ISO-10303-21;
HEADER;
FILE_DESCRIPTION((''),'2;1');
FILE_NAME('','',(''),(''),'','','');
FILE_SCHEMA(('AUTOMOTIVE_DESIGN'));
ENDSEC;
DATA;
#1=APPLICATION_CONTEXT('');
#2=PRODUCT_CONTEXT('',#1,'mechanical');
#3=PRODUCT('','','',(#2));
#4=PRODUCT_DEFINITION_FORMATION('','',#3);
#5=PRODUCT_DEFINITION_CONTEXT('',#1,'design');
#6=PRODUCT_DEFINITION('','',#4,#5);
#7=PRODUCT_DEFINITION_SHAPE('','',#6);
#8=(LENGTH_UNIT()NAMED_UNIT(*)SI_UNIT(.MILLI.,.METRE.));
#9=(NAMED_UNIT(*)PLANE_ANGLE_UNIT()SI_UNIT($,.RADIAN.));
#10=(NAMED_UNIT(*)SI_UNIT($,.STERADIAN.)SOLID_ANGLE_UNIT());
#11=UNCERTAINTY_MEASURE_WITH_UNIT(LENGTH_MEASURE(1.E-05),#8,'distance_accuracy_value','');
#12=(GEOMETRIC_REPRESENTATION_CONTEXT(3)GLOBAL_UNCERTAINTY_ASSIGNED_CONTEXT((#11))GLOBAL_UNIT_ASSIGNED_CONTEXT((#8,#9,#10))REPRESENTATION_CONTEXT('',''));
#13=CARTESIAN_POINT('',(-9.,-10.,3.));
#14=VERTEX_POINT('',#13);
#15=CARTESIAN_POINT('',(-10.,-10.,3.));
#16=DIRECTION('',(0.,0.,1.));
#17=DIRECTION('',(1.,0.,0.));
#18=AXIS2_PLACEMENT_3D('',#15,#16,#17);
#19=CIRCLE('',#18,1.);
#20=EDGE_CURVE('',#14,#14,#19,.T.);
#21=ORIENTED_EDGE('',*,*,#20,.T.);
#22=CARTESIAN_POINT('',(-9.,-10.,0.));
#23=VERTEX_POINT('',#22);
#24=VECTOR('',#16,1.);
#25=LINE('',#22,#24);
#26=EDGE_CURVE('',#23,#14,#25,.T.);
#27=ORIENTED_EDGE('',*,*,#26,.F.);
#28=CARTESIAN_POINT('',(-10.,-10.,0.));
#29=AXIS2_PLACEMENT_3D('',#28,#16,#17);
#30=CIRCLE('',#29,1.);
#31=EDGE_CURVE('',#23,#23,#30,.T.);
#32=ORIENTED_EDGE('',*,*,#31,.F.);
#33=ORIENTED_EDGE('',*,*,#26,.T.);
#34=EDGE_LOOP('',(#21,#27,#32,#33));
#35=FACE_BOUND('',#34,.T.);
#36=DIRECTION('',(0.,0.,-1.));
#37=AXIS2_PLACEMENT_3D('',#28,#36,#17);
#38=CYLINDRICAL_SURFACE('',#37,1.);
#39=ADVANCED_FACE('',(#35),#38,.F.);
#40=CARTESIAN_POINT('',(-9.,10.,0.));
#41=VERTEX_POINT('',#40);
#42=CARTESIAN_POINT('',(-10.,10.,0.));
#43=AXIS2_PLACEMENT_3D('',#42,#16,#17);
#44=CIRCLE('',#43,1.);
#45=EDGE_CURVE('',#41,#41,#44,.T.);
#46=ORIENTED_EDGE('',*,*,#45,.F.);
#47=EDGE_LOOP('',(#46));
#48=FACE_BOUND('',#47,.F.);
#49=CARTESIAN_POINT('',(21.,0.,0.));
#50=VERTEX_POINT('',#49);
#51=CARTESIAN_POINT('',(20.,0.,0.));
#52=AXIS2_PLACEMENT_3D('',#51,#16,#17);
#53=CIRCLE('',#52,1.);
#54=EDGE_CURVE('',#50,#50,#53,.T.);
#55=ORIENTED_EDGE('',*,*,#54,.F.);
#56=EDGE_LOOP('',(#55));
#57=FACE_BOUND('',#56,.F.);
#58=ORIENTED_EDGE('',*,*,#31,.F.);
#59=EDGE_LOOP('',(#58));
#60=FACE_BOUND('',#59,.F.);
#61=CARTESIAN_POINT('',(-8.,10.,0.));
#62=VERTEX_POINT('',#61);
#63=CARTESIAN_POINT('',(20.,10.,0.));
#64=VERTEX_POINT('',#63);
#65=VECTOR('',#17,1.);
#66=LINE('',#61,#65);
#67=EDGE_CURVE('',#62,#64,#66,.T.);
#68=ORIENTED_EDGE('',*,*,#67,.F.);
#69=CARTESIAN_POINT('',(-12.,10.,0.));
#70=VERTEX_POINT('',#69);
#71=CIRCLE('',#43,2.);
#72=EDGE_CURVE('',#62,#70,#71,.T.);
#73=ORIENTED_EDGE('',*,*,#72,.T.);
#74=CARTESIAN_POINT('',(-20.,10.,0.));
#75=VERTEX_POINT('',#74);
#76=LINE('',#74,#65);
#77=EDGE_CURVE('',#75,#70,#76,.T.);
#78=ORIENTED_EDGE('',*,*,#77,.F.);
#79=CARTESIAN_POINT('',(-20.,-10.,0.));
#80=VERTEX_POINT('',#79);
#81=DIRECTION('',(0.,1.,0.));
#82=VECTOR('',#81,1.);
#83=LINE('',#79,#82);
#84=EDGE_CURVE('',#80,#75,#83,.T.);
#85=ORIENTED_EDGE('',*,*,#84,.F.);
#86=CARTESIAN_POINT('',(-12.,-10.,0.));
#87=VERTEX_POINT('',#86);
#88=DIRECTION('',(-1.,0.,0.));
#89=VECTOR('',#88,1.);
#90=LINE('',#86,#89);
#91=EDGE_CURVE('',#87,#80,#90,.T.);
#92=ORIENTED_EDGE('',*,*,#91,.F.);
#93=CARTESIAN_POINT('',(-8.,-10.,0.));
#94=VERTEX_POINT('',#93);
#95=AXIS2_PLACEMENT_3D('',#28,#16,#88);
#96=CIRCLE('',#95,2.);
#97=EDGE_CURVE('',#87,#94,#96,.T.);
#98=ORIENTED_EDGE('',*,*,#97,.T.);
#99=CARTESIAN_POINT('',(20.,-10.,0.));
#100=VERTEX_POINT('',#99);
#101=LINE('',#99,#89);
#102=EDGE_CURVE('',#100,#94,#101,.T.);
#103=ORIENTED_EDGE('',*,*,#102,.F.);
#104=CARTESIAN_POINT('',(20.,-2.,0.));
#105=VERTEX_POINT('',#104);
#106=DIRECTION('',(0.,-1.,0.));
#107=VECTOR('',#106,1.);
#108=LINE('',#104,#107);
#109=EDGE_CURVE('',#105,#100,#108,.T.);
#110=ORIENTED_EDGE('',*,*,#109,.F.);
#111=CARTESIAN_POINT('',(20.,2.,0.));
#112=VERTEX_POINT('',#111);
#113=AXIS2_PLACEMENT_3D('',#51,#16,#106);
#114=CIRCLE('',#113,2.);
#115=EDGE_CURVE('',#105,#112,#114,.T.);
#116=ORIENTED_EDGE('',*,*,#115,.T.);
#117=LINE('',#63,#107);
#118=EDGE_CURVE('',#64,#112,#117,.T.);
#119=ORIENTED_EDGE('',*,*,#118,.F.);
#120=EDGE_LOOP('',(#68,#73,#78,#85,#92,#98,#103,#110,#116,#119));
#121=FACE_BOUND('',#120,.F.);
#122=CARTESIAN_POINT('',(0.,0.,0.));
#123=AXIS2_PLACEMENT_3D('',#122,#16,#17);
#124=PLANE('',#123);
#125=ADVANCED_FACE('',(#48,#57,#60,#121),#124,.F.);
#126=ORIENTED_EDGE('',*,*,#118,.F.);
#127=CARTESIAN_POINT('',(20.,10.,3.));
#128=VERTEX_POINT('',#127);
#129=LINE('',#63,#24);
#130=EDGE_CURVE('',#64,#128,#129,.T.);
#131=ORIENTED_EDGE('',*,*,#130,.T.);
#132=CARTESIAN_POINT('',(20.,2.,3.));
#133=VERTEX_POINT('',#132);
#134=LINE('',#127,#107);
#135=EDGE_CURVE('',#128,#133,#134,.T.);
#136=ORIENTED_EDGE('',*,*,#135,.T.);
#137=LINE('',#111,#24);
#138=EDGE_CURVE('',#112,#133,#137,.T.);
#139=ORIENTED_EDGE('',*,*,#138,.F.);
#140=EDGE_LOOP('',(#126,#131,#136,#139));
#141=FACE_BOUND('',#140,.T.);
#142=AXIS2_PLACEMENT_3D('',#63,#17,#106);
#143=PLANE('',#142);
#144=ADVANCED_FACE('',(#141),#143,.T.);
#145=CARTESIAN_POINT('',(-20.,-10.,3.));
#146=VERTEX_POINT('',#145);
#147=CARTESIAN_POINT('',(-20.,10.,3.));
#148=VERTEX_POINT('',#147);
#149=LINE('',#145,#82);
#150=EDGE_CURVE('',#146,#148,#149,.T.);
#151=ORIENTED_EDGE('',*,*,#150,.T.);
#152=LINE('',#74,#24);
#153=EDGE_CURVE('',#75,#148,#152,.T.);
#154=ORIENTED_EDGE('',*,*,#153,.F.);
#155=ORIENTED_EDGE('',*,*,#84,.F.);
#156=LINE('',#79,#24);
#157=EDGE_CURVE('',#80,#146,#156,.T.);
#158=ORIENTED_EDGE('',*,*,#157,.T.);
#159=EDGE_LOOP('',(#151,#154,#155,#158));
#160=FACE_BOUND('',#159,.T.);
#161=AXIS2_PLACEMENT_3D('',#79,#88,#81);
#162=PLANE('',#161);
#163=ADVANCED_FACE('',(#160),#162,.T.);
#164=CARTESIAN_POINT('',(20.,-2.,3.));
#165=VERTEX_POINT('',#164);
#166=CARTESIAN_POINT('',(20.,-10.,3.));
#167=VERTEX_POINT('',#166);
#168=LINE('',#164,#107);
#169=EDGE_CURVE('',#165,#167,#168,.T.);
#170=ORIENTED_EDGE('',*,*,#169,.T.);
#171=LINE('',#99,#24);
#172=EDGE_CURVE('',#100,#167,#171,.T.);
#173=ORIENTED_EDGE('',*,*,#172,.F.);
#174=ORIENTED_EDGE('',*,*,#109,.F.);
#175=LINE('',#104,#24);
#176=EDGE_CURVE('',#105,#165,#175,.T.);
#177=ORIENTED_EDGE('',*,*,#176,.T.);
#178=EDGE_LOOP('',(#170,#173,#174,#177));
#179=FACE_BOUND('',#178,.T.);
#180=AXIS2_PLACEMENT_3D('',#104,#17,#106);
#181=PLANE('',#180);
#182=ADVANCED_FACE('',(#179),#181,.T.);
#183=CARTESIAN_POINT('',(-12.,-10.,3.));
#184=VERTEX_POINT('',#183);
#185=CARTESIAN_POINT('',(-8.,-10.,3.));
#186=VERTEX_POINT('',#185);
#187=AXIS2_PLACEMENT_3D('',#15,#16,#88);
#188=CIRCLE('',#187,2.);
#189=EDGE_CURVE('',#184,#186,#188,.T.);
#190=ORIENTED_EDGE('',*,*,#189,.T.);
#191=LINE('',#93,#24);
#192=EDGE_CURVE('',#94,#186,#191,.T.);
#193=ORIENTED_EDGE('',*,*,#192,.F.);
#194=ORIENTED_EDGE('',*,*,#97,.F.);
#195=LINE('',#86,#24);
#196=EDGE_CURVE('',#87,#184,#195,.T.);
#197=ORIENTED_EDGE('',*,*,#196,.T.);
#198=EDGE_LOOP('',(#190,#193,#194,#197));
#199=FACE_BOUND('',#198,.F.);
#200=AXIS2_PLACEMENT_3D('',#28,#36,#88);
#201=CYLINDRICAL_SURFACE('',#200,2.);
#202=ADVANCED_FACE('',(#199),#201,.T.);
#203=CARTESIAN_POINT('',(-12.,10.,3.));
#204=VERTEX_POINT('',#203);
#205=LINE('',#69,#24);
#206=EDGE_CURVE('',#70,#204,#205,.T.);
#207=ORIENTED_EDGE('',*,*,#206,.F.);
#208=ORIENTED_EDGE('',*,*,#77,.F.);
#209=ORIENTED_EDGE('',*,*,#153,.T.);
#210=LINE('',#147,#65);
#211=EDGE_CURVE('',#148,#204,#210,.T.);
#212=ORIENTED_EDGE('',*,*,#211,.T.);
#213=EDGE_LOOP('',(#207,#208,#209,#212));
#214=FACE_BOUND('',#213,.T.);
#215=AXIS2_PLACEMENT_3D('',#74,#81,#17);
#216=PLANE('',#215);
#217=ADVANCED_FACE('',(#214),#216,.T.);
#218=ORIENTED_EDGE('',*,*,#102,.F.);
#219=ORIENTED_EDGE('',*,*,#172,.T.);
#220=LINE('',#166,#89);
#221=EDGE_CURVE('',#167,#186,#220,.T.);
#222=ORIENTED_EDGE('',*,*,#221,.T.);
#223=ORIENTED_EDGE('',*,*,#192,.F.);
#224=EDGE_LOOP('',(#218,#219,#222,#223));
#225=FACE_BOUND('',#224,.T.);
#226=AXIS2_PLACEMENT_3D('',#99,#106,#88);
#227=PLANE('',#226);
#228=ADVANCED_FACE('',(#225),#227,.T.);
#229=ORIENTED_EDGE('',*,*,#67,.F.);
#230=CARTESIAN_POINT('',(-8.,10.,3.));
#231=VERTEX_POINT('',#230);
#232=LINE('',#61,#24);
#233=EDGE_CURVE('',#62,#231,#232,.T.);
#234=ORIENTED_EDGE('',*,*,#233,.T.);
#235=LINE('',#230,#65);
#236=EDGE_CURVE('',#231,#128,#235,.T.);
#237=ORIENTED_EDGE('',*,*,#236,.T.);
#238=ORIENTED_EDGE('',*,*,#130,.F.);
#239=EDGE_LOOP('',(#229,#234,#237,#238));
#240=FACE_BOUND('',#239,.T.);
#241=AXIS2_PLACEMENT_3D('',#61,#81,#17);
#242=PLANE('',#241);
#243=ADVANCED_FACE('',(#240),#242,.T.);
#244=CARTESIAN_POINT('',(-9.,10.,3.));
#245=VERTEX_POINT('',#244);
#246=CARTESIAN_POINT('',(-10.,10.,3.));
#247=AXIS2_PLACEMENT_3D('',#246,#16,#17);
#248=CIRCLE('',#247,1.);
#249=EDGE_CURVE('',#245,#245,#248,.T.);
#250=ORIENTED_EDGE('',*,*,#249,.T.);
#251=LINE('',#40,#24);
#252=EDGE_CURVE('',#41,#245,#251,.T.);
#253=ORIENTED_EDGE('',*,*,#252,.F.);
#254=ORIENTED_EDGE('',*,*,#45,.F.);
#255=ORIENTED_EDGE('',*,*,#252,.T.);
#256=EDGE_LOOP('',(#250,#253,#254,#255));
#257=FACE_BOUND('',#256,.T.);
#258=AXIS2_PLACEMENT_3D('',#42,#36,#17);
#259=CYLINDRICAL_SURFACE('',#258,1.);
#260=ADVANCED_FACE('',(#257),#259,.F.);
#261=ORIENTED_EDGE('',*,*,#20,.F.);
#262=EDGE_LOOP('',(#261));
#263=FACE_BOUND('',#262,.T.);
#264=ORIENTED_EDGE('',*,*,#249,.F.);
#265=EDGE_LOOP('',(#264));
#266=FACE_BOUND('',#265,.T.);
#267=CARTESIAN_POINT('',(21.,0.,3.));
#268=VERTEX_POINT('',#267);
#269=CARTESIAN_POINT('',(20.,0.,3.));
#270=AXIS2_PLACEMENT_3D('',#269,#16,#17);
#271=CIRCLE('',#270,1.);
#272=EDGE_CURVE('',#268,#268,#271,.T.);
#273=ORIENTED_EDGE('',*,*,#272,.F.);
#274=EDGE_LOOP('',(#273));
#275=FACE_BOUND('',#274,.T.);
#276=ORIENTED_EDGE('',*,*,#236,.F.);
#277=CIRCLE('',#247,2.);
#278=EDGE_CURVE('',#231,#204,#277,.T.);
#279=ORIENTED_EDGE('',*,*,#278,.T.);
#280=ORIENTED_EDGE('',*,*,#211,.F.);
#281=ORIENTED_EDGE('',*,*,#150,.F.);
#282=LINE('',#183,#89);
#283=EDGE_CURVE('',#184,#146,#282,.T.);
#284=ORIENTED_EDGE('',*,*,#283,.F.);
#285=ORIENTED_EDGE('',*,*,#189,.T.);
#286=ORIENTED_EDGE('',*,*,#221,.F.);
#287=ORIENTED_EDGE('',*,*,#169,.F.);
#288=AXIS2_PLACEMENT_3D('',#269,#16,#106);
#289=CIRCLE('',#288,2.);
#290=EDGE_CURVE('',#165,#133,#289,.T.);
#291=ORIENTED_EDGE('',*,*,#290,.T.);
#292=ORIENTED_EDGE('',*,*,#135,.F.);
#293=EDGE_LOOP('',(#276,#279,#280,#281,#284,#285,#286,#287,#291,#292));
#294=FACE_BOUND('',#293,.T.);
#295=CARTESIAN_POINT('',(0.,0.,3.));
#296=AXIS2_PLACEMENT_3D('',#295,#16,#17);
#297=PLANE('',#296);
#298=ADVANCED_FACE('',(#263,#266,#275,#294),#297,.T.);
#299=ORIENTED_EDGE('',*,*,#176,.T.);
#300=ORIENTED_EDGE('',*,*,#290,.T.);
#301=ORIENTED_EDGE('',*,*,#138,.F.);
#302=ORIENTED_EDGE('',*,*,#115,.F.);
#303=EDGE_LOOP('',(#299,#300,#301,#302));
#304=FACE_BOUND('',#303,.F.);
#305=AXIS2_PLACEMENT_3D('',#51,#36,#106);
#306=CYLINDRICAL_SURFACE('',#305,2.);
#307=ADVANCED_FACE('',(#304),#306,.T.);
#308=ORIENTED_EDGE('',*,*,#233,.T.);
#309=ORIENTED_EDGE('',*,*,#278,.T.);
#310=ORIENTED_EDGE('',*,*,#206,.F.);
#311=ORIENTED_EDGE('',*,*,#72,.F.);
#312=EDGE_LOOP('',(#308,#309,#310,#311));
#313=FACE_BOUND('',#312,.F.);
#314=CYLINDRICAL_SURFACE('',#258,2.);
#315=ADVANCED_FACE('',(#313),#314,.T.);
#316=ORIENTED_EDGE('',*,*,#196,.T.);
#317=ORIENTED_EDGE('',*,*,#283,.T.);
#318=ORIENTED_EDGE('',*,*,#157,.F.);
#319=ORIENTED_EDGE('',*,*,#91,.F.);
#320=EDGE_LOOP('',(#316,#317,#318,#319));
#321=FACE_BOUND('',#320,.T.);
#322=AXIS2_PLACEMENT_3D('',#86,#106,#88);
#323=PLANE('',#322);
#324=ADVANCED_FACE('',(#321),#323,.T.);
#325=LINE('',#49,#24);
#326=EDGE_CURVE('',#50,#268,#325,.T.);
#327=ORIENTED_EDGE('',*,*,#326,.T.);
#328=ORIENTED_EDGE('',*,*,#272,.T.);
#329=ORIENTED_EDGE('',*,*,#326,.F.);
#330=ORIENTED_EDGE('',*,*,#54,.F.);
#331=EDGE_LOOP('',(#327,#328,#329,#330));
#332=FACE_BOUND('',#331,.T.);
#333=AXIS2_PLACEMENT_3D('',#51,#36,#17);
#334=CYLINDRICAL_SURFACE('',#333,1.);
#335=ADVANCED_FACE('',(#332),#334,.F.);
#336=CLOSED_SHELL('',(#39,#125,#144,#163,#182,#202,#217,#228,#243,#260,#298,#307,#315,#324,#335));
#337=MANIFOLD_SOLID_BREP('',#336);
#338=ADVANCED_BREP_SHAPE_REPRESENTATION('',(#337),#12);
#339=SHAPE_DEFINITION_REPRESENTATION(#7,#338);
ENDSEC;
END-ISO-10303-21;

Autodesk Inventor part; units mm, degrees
ref_plane "YZ Plane" through (0, 0, 0) normal (1, 0, 0) x (0, 1, 0)
ref_plane "XZ Plane" through (0, 0, 0) normal (0, 1, 0) x (-1, 0, 0)
ref_plane "XY Plane" through (0, 0, 0) normal (0, 0, 1) x (1, 0, 0)
sketch "Sketch1" plane through (0, 0, 0) normal (0, 0, 1) x (1, 0, 0)
  line L0 (-20, -10) -> (-20, 10)
  circle A0 centre (20, 0) radius 1
  arc A1 (20, -2) -> (20, 2) centre (20, 0) ccw
  line L1 (20, 10) -> (20, 2)
  line L2 (20, -2) -> (20, -10)
  circle A2 centre (-10, -10) radius 1
  arc A3 (-12, -10) -> (-8, -10) centre (-10, -10) ccw
  circle A4 centre (-10, 10) radius 1
  arc A5 (-8, 10) -> (-12, 10) centre (-10, 10) ccw
  line L3 (20, -10) -> (-8, -10)
  line L4 (-12, -10) -> (-20, -10)
  line L5 (-10, -10) -> (-9, -10)
  line L6 (-8, -10) -> (20, -10)
  line L7 (-20, 10) -> (-12, 10)
  line L8 (-8, 10) -> (20, 10)
  point P0 (0, 0)
  dimension "d8" = 2
  dimension "d0" = 20
  dimension "d1" = 40
  dimension "d4" = 2
  dimension "d5" = 4
  dimension "d6" = 0
  dimension "d7" = 10
  dimension "d9" = 4
  dimension "d10" = 2
  dimension "d11" = 4
extrude "Extrusion1" add sketch "Sketch1" along normal blind 3
properties part number "current sensor"
